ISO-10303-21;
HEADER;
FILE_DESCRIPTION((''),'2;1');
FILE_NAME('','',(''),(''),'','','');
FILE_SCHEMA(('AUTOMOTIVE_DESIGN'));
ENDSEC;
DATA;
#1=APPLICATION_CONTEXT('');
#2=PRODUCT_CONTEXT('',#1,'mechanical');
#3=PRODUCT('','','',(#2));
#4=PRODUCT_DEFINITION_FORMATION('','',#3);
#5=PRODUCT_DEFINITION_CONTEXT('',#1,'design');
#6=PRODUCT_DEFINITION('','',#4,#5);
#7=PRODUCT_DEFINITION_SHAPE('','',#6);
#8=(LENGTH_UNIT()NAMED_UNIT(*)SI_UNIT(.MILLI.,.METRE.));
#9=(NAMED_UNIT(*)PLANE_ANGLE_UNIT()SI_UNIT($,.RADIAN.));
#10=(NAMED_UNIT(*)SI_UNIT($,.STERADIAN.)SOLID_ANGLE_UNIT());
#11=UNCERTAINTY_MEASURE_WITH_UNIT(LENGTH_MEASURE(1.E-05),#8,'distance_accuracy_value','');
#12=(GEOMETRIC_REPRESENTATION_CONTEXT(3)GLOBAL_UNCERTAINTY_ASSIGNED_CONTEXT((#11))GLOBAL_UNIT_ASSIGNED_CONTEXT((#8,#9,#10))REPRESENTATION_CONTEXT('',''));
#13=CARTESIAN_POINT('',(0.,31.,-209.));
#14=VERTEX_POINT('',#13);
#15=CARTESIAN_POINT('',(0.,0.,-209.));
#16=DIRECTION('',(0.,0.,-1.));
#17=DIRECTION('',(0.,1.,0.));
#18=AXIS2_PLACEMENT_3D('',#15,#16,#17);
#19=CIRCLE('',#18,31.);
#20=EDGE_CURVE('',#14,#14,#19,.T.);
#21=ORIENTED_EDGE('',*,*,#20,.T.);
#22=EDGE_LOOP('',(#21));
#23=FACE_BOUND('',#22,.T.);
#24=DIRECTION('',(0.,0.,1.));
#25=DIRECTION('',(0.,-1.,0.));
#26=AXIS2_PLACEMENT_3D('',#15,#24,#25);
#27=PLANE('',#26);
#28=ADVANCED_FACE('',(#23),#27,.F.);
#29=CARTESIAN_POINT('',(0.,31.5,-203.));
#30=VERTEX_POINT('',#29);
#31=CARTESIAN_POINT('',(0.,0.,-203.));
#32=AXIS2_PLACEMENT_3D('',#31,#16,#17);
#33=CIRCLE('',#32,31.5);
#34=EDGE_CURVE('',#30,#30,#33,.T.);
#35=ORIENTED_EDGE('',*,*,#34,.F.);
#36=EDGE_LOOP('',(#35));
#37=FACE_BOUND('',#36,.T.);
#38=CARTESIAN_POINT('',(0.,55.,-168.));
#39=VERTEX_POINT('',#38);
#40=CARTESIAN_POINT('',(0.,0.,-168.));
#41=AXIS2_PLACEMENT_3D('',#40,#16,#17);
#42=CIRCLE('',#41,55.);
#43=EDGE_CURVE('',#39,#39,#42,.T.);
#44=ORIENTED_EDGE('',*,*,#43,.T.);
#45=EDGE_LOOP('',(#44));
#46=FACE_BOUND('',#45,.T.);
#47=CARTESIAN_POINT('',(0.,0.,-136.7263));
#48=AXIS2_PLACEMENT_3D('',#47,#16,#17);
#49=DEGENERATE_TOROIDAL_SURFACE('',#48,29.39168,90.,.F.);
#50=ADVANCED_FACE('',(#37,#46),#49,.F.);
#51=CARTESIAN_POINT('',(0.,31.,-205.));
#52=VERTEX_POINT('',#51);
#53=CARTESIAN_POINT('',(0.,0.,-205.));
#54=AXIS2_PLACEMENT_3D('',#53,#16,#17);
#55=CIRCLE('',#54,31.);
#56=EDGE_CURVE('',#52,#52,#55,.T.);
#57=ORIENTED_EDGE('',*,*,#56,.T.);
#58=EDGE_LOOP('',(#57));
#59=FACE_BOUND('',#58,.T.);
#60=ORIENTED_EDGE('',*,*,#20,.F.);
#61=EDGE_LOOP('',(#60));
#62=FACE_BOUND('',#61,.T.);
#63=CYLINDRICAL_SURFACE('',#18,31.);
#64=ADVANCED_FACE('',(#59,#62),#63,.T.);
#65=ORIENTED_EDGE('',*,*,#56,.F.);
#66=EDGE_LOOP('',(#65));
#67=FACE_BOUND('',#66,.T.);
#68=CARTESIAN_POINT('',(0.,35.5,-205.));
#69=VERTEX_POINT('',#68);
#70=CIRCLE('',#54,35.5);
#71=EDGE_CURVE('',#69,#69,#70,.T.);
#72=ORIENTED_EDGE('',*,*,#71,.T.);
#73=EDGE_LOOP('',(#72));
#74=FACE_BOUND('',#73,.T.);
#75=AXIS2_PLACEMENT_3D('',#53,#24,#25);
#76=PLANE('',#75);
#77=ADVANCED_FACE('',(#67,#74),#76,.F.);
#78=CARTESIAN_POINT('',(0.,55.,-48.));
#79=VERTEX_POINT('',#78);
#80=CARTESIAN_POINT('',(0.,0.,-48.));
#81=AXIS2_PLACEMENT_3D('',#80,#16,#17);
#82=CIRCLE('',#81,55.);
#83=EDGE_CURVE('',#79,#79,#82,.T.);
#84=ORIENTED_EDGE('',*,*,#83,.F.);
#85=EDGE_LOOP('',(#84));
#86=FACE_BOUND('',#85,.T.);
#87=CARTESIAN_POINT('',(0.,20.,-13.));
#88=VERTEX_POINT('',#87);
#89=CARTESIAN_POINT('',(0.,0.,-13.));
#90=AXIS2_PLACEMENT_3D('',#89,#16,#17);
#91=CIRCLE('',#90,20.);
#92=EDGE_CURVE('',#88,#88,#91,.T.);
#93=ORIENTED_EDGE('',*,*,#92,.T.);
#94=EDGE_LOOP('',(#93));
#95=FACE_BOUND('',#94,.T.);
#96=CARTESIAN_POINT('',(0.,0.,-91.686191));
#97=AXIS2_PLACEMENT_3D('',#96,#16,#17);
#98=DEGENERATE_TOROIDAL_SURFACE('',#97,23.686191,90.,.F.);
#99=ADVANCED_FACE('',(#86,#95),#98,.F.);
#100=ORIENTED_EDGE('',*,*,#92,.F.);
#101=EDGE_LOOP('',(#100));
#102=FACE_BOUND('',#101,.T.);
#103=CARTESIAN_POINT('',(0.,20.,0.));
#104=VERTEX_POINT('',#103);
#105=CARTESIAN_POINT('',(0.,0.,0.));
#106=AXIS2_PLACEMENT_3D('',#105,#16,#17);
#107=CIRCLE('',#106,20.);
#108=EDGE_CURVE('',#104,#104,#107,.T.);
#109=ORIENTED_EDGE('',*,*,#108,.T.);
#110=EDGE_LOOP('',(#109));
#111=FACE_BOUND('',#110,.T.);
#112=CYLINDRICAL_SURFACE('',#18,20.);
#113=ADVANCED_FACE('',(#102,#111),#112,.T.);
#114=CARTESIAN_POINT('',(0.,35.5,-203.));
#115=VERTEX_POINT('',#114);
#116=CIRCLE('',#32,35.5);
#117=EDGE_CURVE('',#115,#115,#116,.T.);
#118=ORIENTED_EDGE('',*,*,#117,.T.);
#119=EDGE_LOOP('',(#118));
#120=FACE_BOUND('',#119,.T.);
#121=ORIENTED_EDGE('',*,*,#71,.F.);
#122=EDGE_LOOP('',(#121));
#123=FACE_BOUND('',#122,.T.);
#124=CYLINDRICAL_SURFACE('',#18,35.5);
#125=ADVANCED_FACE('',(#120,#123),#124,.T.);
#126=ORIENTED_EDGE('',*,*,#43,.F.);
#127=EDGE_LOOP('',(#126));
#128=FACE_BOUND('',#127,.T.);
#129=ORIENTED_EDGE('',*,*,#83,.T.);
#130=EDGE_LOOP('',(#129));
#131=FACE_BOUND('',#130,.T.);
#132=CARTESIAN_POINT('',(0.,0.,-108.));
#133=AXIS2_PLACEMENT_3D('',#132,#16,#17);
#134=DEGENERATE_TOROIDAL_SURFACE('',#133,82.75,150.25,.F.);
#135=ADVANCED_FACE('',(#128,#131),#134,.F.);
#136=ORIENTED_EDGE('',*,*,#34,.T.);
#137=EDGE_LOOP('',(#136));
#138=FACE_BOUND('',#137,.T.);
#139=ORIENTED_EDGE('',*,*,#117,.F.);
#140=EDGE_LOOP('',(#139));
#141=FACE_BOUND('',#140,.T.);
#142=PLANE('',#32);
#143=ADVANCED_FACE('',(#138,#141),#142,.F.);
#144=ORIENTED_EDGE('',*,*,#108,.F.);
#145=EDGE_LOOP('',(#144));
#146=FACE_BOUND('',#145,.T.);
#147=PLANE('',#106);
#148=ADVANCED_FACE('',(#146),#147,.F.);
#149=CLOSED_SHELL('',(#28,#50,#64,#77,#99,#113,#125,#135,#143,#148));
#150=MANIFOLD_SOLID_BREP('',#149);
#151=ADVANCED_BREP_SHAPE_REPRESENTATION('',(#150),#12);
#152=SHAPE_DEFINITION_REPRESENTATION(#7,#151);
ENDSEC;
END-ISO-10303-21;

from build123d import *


with BuildPart() as part:
    # Sketch1 → Revolve1 (revolve)
    with BuildSketch(Plane(origin=(0, 0, 0), x_dir=(0, 0, -1), z_dir=(1, 0, 0))):
        with BuildLine():
            ThreePointArc((168, 55), (186.895377255, 45.328221444), (203, 31.5))
            Line((203, 31.5), (203, 35.5))
            Line((203, 35.5), (205, 35.5))
            Line((205, 35.5), (205, 31))
            Line((205, 31), (209, 31))
            Line((209, 31), (209, 0))
            Line((209, 0), (0, 0))
            Line((0, 0), (0, 20))
            Line((0, 20), (13, 20))
            ThreePointArc((13, 20), (28.046580946, 39.953419054), (48, 55))
            ThreePointArc((48, 55), (108, 67.5), (168, 55))
        make_face()
    revolve(axis=Axis((0, 0, -209), (0, 0, 1)))


solid = part.part
